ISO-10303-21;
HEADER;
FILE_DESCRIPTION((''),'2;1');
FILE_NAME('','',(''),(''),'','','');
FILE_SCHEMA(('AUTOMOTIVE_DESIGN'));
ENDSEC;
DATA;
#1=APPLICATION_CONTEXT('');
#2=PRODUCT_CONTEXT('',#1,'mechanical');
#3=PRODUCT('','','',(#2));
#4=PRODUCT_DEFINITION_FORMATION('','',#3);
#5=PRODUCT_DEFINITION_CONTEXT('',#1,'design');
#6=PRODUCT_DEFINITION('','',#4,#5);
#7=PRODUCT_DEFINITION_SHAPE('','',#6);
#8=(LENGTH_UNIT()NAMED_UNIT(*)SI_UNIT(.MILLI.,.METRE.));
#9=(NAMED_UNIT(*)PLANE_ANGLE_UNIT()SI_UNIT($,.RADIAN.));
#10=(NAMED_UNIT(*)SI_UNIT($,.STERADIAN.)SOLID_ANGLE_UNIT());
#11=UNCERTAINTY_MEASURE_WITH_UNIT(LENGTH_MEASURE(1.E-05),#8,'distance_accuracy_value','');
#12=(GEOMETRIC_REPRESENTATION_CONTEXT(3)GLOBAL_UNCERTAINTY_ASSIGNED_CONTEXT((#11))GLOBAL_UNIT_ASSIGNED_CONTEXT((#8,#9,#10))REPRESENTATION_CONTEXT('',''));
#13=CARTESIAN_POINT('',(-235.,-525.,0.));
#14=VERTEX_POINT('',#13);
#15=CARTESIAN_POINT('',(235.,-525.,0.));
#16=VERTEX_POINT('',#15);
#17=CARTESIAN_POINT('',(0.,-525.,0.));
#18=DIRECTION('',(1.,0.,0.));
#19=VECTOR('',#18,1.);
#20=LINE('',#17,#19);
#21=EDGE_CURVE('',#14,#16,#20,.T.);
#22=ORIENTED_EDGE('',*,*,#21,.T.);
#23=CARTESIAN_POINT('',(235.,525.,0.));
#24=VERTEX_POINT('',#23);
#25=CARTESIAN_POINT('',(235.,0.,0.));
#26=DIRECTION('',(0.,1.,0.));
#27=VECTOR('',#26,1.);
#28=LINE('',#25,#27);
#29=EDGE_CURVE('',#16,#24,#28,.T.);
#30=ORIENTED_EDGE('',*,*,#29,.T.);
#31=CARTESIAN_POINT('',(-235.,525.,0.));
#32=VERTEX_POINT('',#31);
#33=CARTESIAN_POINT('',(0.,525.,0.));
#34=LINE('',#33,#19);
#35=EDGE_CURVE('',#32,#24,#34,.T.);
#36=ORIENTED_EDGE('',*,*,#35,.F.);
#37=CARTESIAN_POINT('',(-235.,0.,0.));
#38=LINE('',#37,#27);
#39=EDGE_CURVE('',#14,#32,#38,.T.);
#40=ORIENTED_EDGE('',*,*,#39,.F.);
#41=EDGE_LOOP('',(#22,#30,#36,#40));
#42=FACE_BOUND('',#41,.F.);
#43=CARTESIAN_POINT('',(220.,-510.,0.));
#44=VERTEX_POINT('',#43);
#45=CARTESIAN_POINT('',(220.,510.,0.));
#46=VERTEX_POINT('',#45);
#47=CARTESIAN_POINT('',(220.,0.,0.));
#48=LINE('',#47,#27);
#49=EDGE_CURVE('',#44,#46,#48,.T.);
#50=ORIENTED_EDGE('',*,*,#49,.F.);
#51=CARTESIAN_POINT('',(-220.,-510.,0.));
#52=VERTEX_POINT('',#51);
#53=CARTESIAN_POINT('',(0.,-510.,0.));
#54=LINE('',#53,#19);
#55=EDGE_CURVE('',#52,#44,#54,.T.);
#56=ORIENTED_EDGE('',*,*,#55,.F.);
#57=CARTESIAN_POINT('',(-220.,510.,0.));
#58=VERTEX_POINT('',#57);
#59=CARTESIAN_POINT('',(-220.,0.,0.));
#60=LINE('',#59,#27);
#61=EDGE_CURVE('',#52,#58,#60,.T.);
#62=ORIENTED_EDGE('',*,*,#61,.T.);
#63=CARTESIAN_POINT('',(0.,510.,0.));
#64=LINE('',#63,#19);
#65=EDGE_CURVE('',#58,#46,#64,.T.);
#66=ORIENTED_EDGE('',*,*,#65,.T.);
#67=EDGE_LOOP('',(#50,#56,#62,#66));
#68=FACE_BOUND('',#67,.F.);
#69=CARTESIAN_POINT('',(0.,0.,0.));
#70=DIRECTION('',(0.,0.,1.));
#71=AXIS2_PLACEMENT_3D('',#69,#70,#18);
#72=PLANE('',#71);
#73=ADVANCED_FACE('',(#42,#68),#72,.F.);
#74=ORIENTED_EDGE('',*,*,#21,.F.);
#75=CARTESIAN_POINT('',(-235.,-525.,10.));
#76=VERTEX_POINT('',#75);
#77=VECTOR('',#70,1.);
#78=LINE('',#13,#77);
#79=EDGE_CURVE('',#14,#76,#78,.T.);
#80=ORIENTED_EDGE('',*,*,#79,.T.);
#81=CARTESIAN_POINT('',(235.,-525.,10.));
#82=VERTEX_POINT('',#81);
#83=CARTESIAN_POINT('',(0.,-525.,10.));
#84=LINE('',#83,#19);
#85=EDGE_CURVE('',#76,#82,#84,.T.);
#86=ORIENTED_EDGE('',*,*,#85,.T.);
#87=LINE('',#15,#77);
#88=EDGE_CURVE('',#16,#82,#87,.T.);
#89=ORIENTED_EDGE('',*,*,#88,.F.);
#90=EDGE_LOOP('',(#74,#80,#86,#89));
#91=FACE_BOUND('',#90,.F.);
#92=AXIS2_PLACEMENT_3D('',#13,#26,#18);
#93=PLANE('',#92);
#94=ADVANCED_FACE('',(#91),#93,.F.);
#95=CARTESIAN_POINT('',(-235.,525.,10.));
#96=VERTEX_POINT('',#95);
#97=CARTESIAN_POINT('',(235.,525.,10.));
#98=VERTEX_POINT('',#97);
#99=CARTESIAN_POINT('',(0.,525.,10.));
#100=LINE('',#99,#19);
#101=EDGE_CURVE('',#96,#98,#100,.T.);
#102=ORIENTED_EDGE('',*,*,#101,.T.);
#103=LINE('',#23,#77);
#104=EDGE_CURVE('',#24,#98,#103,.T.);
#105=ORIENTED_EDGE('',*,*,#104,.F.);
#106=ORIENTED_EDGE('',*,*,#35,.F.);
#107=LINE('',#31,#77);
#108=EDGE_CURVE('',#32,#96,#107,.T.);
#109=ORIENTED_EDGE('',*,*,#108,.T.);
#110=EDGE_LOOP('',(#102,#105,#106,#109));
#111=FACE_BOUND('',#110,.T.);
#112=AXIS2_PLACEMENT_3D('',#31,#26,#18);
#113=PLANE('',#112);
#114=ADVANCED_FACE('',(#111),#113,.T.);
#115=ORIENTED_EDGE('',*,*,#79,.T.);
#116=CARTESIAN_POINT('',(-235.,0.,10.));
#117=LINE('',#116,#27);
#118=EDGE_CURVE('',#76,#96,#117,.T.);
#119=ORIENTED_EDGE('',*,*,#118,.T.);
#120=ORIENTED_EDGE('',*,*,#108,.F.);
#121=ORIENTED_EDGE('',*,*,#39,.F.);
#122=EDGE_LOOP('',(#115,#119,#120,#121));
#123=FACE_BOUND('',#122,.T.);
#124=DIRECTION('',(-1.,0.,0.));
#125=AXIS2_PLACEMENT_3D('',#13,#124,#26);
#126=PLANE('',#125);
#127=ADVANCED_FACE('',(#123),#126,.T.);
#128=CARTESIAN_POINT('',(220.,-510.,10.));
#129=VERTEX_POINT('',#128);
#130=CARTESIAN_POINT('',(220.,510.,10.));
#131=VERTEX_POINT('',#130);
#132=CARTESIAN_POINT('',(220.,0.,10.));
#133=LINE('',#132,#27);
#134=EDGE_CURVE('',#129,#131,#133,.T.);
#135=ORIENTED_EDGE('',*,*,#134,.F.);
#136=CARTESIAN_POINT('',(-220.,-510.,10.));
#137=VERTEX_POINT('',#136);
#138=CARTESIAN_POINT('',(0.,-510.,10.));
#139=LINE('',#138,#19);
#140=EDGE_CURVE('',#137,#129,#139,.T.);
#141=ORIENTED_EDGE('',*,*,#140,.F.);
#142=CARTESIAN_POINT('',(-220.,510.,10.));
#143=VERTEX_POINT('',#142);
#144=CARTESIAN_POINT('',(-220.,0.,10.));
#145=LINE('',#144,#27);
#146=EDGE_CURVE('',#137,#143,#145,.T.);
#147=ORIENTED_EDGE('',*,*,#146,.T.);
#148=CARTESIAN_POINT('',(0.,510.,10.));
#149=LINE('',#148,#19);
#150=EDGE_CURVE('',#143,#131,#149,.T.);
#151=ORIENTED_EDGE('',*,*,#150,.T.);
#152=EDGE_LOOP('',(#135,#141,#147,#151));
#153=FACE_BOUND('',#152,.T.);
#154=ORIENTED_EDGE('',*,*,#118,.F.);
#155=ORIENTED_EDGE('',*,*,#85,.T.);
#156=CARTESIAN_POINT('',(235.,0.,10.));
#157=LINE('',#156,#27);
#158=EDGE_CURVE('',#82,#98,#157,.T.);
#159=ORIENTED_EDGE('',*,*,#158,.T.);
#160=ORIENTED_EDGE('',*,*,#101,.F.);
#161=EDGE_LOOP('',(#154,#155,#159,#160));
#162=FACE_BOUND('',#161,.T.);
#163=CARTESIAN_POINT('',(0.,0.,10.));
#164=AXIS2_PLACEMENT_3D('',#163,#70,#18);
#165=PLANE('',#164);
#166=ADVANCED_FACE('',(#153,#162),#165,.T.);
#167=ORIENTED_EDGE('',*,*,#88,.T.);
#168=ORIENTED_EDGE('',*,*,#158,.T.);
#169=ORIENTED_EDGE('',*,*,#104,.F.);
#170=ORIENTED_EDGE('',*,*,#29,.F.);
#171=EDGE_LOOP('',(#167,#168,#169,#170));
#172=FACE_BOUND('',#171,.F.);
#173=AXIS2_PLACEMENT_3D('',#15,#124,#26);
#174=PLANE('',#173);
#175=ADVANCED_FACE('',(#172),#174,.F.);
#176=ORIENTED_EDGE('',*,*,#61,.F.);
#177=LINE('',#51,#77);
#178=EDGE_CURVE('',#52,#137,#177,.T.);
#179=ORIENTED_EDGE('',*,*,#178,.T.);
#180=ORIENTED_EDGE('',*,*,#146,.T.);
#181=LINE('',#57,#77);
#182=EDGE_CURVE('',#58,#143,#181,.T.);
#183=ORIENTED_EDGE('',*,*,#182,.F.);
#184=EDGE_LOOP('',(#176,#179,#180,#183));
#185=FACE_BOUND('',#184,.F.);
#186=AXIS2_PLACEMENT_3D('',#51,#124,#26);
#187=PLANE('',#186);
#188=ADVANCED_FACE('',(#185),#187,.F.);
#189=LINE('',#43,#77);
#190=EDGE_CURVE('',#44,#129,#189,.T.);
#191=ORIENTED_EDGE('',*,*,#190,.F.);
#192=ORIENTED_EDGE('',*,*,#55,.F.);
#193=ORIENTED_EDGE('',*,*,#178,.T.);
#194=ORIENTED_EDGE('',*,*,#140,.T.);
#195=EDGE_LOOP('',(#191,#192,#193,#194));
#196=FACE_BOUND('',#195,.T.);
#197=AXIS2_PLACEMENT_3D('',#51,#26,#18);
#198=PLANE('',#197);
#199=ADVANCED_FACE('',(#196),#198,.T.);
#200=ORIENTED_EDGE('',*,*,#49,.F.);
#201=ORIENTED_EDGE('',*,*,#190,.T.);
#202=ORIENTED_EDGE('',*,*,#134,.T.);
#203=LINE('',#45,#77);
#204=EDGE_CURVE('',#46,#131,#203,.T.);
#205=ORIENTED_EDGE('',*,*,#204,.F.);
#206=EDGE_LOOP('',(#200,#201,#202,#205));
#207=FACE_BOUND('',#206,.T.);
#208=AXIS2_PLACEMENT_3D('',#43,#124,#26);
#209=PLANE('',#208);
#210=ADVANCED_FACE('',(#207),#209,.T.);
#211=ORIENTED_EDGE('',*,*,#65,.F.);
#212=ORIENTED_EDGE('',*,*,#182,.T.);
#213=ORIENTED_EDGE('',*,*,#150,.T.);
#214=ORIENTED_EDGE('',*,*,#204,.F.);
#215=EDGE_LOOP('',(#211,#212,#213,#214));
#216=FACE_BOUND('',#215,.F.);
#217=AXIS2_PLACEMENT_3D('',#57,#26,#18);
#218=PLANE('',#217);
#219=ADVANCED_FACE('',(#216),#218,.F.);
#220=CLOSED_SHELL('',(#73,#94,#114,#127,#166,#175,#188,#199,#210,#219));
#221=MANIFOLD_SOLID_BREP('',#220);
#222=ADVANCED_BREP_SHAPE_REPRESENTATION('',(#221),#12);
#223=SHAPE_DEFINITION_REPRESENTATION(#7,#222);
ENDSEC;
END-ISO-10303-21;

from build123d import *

# Parameters (mm, degrees)
SKETCH_1_W      = 470
SKETCH_1_H      = 1050
SKETCH_1_W_2    = 440
SKETCH_1_H_2    = 1020
EXTRUDE_1_DEPTH = 10


with BuildPart() as part:
    # Эскиз1 → Вытянуть-Тонкостенный1 (new body)
    with BuildSketch(Plane.XY):
        Rectangle(SKETCH_1_W, SKETCH_1_H)
        Rectangle(SKETCH_1_W_2, SKETCH_1_H_2, mode=Mode.SUBTRACT)
    extrude(amount=EXTRUDE_1_DEPTH)


solid = part.part
